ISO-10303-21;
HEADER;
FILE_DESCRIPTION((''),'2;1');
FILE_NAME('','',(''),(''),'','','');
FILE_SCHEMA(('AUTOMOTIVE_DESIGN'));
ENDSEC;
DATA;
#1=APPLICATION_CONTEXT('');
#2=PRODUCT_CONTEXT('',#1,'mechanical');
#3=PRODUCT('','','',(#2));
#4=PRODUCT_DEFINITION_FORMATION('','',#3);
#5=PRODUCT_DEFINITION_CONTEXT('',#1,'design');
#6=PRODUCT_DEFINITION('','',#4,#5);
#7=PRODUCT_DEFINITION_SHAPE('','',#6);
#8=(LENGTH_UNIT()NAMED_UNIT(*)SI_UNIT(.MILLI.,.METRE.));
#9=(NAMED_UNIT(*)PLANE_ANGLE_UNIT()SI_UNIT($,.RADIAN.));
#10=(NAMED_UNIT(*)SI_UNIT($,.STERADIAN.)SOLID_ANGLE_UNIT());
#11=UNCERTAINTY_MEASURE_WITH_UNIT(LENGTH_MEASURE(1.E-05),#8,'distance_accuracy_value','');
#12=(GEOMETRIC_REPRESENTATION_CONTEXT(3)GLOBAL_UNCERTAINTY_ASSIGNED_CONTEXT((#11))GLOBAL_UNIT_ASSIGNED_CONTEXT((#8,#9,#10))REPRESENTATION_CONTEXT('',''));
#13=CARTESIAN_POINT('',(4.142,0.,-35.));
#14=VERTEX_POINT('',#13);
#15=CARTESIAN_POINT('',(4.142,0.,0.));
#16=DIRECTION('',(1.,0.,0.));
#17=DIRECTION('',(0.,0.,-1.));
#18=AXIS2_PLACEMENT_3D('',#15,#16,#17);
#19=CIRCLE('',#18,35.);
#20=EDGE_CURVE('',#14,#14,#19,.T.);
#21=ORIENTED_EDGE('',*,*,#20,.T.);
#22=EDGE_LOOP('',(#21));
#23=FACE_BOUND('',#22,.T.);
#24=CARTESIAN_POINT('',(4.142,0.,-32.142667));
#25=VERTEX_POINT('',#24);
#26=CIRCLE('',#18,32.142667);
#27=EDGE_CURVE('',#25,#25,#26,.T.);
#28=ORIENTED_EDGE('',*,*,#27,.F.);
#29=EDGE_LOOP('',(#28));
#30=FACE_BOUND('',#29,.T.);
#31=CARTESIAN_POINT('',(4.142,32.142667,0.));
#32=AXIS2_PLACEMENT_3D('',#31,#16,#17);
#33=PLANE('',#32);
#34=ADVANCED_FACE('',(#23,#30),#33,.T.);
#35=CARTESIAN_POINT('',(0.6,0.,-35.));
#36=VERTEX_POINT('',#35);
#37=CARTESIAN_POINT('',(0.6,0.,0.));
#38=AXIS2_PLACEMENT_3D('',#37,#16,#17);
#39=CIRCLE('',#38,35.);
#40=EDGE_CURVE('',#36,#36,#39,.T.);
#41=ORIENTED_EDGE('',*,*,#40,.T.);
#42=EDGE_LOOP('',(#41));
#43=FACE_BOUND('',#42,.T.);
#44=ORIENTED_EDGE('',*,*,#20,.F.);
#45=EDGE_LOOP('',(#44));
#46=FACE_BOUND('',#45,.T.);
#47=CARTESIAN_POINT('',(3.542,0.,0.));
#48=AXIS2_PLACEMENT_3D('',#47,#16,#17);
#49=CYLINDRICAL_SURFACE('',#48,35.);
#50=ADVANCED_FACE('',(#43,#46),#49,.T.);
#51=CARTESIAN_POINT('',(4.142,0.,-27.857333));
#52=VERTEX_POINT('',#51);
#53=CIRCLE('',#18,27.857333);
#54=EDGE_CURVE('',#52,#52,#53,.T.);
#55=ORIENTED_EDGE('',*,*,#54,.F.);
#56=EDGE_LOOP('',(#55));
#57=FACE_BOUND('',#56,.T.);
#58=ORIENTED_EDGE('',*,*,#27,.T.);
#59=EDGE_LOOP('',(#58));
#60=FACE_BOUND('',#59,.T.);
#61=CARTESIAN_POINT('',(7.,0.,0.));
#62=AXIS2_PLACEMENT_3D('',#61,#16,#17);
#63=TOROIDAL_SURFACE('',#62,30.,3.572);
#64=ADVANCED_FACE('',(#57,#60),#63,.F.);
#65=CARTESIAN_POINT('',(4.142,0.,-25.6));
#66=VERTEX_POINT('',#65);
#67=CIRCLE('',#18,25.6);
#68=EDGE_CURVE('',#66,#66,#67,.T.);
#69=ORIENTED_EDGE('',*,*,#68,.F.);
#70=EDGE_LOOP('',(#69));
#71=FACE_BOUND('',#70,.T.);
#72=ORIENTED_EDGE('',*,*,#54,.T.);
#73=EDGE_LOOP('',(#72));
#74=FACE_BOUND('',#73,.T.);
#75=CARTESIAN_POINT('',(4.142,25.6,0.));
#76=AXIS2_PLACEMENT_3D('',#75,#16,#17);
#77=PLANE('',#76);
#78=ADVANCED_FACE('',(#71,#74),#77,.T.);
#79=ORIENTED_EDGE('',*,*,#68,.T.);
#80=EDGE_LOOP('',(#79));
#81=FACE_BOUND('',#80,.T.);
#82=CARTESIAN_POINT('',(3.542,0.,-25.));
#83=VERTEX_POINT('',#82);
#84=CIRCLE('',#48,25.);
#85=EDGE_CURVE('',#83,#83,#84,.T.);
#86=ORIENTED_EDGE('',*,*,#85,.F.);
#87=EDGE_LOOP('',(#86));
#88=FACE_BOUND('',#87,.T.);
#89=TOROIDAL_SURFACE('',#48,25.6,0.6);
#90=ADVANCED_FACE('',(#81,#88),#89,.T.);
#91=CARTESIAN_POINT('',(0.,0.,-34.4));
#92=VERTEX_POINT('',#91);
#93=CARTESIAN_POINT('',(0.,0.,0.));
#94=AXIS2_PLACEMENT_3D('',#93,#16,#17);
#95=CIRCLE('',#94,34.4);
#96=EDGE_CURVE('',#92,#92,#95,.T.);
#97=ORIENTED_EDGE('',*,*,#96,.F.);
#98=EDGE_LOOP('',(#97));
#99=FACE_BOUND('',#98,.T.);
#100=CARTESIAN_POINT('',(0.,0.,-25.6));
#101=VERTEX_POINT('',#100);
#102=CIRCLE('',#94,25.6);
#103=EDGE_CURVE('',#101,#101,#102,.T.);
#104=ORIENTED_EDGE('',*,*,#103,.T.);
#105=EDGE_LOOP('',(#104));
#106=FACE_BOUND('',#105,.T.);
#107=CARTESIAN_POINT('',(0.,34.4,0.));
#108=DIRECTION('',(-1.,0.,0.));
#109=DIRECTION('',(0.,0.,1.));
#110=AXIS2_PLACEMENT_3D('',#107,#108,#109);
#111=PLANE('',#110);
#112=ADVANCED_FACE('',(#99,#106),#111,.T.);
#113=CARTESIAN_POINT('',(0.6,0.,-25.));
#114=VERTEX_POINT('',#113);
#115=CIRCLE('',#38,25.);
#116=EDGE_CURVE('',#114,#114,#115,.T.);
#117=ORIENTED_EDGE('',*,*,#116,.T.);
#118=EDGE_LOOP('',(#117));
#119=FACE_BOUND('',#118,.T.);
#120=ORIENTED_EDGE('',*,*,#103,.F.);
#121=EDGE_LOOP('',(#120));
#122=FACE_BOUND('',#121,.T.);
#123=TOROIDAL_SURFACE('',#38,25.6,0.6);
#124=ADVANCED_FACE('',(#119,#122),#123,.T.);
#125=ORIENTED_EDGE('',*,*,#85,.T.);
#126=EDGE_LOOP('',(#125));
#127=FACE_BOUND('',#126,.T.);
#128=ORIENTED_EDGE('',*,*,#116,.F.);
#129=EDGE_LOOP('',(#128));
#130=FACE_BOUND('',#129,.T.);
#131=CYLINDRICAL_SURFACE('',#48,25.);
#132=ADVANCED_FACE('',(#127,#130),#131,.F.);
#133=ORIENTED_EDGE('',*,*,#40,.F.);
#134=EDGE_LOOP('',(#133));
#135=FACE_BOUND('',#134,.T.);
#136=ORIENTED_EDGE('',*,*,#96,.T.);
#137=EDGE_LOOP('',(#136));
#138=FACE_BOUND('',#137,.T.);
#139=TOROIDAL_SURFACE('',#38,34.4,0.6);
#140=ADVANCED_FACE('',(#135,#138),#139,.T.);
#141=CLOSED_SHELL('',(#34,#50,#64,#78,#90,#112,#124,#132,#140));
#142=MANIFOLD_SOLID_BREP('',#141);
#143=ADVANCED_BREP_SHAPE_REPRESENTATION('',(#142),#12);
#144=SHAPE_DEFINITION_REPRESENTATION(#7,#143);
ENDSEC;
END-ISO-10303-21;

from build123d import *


with BuildPart() as part:
    # Croquis1 → Revolución1 (revolve)
    with BuildSketch(Plane.XY):
        with BuildLine():
            Line((0.6, 25), (3.542, 25))
            ThreePointArc((3.542, 25), (3.966264069, 25.175735931), (4.142, 25.6))
            Line((4.142, 25.6), (4.142, 27.857333437))
            ThreePointArc((4.142, 27.857333437), (3.428, 30), (4.142, 32.142666563))
            Line((4.142, 32.142666563), (4.142, 35))
            Line((4.142, 35), (0.6, 35))
            ThreePointArc((0.6, 35), (0.175735931, 34.824264069), (0, 34.4))
            Line((0, 34.4), (0, 25.6))
            ThreePointArc((0, 25.6), (0.175735931, 25.175735931), (0.6, 25))
        make_face()
    revolve(axis=Axis((3.542, 0, 0), (-1, 0, 0)))


solid = part.part
